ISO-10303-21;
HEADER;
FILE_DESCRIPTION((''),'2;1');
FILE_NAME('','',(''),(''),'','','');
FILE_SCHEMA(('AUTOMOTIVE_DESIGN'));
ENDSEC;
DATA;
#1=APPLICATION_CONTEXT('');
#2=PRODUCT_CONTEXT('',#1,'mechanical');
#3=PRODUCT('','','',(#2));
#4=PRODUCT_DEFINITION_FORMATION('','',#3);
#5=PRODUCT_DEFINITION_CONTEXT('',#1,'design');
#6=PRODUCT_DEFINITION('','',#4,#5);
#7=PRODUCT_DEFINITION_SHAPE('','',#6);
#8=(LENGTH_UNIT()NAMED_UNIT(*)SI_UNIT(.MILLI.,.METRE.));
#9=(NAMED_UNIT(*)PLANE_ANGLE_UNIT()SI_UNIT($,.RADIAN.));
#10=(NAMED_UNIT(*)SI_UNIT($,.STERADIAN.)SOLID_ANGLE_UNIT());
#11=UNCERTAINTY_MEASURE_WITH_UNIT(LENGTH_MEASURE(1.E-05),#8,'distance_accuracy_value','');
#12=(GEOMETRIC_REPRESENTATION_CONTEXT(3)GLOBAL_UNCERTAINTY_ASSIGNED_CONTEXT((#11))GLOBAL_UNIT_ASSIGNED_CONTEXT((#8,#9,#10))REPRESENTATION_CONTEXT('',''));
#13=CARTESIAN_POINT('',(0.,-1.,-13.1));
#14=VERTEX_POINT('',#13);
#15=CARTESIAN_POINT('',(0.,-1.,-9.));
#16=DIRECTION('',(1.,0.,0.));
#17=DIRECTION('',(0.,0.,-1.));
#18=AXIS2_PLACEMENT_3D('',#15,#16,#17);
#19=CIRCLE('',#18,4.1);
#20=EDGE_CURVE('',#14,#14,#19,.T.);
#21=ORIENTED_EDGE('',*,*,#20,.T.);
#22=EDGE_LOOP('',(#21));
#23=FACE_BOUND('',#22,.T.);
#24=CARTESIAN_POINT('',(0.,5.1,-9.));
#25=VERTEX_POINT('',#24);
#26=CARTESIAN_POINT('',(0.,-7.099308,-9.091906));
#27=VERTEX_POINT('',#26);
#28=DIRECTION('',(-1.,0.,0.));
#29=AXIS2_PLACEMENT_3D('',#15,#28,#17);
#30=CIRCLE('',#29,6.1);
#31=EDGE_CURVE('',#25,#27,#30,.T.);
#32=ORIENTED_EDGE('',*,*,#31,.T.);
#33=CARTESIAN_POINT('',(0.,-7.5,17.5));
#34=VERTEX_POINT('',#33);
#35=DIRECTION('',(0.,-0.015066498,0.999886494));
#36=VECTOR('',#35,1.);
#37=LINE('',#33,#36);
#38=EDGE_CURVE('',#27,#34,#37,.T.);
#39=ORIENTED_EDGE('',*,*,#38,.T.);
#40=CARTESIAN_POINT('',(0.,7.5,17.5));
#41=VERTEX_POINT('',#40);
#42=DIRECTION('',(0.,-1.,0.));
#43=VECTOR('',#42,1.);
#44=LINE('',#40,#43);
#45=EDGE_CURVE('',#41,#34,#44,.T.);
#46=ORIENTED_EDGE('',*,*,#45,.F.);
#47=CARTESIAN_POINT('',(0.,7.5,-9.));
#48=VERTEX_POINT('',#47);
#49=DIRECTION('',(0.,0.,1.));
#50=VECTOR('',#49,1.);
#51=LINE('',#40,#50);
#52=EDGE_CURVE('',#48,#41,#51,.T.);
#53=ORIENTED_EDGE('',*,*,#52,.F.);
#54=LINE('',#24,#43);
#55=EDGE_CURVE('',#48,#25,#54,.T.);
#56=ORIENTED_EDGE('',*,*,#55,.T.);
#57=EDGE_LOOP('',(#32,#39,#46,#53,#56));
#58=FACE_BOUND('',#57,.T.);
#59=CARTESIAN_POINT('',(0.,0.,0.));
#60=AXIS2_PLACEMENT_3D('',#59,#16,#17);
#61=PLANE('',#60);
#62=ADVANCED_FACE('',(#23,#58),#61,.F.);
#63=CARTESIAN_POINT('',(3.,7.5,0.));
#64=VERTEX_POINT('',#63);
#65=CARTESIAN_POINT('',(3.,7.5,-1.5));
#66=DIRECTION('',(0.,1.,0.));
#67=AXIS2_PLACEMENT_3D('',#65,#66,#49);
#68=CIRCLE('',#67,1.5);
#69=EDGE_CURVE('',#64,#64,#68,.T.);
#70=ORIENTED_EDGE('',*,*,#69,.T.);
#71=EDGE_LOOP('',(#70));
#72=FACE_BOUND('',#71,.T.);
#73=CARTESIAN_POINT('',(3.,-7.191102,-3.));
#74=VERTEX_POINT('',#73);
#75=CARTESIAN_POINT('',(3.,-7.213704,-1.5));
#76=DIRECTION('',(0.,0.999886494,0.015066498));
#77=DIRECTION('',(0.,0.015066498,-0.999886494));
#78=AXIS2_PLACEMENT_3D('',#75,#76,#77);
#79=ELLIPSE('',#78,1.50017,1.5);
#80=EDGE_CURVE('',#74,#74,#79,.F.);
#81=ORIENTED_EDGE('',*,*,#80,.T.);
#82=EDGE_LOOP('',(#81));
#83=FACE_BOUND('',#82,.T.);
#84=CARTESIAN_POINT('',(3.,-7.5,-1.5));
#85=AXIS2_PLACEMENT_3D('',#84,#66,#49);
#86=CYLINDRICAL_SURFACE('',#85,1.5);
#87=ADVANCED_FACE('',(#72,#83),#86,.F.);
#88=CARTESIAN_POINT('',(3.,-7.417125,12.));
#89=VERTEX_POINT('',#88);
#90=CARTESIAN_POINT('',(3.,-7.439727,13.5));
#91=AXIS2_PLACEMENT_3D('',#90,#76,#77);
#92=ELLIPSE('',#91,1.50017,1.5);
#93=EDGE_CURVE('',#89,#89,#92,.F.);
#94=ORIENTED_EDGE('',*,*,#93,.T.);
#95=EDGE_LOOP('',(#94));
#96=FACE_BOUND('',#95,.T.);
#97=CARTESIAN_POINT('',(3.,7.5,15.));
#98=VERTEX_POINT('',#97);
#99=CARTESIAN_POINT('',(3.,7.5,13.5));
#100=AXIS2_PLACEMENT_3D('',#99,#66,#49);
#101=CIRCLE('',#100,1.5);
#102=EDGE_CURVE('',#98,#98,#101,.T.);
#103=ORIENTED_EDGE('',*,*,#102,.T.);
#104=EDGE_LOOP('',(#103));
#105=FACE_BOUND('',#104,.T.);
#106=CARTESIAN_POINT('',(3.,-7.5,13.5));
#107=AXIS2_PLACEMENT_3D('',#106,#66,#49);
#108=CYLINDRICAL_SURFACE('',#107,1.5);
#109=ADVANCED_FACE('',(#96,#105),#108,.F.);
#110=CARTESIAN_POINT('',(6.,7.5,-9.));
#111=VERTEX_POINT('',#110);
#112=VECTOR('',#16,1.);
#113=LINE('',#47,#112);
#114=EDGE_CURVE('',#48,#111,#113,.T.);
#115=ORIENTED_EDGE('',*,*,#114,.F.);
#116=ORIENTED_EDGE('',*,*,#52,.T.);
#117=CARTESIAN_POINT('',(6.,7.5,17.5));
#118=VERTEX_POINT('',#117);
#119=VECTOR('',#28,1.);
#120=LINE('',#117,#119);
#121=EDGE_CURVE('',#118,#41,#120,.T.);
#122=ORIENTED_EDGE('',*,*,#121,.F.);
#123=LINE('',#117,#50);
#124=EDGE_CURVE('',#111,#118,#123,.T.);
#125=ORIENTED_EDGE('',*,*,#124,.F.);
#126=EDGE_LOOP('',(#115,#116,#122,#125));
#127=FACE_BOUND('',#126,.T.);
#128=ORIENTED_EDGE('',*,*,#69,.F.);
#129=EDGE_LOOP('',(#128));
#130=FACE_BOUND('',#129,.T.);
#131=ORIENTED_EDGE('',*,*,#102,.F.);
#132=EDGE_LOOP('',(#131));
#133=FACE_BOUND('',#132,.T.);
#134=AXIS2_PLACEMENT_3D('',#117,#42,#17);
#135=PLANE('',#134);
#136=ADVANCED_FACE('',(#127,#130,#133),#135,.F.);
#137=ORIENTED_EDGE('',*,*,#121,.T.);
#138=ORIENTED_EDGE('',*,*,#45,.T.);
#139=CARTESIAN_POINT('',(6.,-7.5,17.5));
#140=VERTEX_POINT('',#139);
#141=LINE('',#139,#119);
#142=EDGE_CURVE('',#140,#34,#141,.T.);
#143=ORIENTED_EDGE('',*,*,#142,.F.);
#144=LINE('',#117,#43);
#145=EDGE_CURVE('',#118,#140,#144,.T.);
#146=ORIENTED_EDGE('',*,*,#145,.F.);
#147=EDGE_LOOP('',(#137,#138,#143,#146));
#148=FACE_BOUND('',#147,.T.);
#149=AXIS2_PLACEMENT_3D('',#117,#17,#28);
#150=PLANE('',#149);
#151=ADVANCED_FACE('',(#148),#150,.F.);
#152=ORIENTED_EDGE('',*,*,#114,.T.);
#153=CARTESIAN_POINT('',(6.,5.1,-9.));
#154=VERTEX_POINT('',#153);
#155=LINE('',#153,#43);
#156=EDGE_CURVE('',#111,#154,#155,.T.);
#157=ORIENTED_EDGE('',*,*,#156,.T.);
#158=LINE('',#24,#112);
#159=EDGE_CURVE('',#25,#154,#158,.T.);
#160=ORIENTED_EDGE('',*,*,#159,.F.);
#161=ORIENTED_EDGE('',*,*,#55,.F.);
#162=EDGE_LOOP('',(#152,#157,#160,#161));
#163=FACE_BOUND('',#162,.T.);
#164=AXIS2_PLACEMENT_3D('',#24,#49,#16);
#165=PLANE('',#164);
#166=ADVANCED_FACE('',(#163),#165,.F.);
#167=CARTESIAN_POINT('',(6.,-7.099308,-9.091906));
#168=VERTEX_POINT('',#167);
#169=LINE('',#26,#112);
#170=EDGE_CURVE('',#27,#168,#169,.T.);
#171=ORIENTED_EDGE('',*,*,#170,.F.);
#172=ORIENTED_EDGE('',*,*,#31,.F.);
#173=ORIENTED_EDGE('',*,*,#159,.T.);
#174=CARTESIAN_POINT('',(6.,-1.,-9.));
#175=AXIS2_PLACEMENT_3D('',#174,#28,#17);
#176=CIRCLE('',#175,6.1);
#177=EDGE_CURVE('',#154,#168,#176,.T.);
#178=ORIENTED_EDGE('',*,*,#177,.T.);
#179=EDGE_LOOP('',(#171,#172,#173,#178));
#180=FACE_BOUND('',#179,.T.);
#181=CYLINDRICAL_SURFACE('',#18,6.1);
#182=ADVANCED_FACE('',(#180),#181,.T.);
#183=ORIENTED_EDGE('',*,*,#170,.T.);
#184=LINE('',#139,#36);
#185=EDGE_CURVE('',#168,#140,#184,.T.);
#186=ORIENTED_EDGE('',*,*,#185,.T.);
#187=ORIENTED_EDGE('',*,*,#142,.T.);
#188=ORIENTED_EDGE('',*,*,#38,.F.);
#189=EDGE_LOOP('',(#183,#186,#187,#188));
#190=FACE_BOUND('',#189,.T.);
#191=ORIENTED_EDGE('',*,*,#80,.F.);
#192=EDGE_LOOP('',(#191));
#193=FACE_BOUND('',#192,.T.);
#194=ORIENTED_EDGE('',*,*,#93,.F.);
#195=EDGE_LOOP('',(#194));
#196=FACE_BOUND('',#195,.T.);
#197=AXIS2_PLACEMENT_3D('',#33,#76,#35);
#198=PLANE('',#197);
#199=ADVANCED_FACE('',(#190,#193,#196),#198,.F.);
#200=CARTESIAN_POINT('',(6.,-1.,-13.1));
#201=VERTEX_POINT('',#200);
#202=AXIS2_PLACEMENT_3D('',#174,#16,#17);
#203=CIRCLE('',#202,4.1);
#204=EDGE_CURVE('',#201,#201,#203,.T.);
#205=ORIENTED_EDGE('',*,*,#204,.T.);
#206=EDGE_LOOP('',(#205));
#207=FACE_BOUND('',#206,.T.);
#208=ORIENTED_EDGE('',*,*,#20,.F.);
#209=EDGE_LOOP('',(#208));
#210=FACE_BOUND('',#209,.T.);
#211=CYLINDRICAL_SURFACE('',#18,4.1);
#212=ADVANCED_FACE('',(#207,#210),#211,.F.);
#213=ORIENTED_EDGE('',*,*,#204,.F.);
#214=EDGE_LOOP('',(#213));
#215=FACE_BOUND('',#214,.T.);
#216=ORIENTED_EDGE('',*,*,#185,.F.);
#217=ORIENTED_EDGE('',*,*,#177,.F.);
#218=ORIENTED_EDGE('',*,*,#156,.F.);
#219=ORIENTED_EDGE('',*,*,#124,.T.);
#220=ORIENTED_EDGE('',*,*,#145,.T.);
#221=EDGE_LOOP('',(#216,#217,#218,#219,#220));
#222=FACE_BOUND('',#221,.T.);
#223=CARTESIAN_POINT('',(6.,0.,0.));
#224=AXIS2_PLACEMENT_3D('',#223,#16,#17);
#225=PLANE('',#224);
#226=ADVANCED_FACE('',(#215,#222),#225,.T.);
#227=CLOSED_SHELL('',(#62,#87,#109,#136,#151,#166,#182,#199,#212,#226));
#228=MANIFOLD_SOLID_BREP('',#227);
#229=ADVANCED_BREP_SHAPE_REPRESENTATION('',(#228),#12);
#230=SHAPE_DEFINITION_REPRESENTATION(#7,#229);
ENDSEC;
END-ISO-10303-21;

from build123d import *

# Parameters (mm, degrees)
SKETCH_1_W          = 35
SKETCH_1_H          = 15
EXTRUDE_1_DEPTH     = 6
SKETCH_2_R          = 1.5
CUT_EXTRUDE_1_DEPTH = 16
SKETCH_3_R          = 4.1
CUT_EXTRUDE_2_DEPTH = 7
CUT_EXTRUDE_3_DEPTH = 7


with BuildPart() as part:
    # 草图1 → 凸台-拉伸1 (new body)
    with BuildSketch(Plane(origin=(0, 0, 0), x_dir=(0, 0, -1), z_dir=(1, 0, 0))):
        Rectangle(SKETCH_1_W, SKETCH_1_H)
    extrude(amount=EXTRUDE_1_DEPTH)

    # 草图2 → 切除-拉伸1 (cut, through all)
    with BuildSketch(Plane(origin=(0, 7.5, 0), x_dir=(1, 0, 0), z_dir=(0, 1, 0))):
        with Locations((3, -13.5)):
            Circle(SKETCH_2_R)
        with Locations((3, 1.5)):
            Circle(SKETCH_2_R)
    extrude(amount=-CUT_EXTRUDE_1_DEPTH, mode=Mode.SUBTRACT)

    # 草图3 → 切除-拉伸2 (cut, through all)
    with BuildSketch(Plane(origin=(6, 0, 0), x_dir=(0, 0, -1), z_dir=(1, 0, 0))):
        with Locations((9, -1)):
            Circle(SKETCH_3_R)
    extrude(amount=-CUT_EXTRUDE_2_DEPTH, mode=Mode.SUBTRACT)

    # 草图4 → 切除-拉伸3 (cut, through all)
    with BuildSketch(Plane(origin=(6, 0, 0), x_dir=(0, 0, -1), z_dir=(1, 0, 0))):
        with BuildLine():
            Line((9, 5.1), (9, 7.5))
            Line((9, 7.5), (17.5, 7.5))
            Line((17.5, 7.5), (17.5, -7.5))
            Line((17.5, -7.5), (-17.5, -7.5))
            Line((-17.5, -7.5), (9.091905641, -7.099307613))
            ThreePointArc((9.091905641, -7.099307613), (15.099826901, -0.954045876), (9, 5.1))
        make_face()
    extrude(amount=-CUT_EXTRUDE_3_DEPTH, mode=Mode.SUBTRACT)


solid = part.part
